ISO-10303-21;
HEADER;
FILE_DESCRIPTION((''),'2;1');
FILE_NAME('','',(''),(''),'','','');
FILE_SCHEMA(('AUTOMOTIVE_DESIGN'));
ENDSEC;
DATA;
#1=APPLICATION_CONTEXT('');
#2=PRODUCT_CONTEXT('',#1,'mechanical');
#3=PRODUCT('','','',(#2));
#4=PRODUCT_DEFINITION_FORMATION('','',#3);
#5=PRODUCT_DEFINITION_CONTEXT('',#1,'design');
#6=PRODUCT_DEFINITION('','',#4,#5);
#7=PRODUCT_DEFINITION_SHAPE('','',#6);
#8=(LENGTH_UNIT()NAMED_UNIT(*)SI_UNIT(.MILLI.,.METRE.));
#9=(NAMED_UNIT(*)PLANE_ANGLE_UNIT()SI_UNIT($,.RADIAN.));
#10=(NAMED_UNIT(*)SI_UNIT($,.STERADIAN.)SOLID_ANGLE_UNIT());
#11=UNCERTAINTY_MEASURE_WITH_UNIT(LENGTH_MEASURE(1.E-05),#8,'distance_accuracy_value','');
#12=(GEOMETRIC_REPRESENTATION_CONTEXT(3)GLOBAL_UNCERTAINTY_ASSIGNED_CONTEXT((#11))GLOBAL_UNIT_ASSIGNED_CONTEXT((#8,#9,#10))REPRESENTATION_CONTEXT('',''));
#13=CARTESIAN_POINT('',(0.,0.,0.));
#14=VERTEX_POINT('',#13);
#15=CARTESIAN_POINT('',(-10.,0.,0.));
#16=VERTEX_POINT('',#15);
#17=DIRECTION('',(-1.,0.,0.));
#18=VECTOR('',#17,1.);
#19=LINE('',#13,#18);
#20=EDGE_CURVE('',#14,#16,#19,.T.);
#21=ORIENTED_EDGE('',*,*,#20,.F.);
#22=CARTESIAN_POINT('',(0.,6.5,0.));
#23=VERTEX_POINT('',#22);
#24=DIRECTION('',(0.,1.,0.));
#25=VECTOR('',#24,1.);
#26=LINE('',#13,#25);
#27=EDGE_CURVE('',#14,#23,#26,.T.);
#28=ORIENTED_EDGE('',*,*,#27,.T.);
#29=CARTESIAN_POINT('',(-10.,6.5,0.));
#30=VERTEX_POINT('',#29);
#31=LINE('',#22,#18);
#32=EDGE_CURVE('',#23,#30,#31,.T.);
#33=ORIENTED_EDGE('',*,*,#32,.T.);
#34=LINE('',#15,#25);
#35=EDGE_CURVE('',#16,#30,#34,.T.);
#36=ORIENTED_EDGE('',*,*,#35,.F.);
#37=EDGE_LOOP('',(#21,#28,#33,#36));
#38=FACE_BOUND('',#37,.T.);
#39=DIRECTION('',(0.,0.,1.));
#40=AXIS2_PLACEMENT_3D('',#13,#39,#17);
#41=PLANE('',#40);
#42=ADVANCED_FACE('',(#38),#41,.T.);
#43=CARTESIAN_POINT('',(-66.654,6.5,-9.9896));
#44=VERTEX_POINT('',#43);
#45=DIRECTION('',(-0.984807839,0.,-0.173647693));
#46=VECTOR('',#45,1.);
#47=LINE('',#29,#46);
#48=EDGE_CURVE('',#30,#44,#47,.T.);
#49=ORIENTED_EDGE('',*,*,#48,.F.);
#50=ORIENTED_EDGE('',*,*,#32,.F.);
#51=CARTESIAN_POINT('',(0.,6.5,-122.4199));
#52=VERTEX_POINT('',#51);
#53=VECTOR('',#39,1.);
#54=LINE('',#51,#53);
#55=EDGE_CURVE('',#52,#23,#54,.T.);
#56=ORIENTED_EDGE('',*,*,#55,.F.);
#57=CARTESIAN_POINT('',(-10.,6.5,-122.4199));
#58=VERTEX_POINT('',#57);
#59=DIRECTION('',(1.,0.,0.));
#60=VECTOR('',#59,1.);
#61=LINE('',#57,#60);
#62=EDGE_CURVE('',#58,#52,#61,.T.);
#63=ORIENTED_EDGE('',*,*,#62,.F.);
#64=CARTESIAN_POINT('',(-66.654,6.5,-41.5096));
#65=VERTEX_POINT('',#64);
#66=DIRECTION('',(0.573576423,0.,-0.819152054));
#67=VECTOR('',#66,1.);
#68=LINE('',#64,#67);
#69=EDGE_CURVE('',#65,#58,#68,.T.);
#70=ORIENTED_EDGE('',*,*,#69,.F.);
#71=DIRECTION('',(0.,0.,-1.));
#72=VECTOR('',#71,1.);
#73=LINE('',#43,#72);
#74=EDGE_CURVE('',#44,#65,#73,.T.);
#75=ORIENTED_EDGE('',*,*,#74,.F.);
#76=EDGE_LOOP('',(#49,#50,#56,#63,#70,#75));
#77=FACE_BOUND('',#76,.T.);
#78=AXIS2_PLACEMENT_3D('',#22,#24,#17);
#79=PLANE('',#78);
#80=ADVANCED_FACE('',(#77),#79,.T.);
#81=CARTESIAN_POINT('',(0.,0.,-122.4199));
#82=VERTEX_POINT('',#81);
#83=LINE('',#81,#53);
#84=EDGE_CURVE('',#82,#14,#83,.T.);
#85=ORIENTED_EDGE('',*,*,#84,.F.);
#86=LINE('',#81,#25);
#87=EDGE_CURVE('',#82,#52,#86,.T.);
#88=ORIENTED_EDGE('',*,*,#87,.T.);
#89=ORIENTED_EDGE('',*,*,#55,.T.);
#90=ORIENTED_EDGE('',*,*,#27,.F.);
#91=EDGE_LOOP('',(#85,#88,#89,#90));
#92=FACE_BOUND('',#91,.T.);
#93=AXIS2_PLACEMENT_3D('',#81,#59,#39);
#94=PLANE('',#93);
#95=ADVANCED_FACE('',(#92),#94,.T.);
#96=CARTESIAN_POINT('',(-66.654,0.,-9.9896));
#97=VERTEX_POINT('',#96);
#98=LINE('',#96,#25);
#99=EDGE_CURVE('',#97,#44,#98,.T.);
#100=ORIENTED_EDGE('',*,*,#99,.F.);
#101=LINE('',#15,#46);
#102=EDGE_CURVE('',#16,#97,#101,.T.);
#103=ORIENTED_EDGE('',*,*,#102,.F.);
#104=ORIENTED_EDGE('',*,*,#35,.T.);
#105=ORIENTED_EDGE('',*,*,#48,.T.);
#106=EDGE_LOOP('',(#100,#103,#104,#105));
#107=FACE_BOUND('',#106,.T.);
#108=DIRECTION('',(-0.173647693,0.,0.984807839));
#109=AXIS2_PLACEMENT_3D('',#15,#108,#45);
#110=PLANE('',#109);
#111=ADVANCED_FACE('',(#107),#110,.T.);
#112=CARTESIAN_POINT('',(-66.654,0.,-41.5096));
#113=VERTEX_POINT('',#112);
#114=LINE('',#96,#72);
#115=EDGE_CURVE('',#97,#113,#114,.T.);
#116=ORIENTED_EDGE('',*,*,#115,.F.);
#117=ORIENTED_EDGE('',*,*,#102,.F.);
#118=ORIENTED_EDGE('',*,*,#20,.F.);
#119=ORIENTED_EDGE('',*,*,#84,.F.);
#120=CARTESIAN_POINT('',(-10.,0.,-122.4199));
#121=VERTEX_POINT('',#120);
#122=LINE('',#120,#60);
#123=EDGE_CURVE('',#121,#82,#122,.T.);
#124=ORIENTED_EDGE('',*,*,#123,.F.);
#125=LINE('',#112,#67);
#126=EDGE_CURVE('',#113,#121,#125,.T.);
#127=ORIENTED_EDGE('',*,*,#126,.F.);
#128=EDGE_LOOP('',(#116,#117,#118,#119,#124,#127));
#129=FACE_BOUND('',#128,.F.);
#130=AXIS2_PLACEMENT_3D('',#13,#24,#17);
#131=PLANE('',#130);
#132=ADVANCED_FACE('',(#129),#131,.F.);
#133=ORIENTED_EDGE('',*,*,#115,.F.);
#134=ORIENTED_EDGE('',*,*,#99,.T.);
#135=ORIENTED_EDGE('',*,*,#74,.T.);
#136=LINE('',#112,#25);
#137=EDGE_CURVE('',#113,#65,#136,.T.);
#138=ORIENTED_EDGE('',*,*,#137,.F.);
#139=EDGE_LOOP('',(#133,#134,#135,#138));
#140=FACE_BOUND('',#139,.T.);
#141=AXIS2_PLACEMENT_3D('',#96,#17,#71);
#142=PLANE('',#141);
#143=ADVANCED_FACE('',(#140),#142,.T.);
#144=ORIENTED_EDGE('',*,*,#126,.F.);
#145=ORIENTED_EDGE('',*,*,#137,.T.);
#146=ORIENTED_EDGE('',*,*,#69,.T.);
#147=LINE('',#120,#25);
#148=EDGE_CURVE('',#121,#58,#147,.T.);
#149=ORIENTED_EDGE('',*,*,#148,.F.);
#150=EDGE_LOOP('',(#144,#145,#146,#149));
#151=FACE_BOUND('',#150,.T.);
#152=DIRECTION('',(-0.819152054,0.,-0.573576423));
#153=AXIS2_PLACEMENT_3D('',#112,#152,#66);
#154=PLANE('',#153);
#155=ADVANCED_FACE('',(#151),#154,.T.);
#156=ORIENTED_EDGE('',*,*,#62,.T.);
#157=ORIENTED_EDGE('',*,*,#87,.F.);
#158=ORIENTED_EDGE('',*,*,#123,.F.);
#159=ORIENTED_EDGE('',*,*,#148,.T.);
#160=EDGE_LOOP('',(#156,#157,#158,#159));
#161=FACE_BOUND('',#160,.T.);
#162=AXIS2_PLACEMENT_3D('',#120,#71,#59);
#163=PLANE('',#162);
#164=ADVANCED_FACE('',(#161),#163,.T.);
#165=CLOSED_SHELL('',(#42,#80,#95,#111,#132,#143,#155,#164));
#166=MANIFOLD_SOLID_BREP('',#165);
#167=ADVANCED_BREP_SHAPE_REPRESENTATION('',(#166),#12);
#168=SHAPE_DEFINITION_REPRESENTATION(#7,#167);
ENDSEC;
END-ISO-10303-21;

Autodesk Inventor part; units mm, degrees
ref_plane "YZ Plane" through (0, 0, 0) normal (1, 0, 0) x (0, 1, 0)
ref_plane "XZ Plane" through (0, 0, 0) normal (0, 1, 0) x (-1, 0, 0)
ref_plane "XY Plane" through (0, 0, 0) normal (0, 0, 1) x (1, 0, 0)
sketch "Sketch1" plane through (0, 0, 0) normal (0, 1, 0) x (-1, 0, 0)
  line L0 (0, 0) -> (10, 0)
  line L1 (10, 0) -> (66.654, -9.9896)
  line L2 (66.654, -9.9896) -> (66.654, -41.5096)
  line L3 (66.654, -41.5096) -> (10, -122.4199)
  line L4 (10, -122.4199) -> (0, -122.4199)
  line L5 (0, -122.4199) -> (0, 0)
  dimension "d0" = 31.52
  dimension "d1" = 145
  dimension "d2" = 100
  dimension "d3" = 10
  dimension "d4" = 10
  dimension "d5" = 66.654
extrude "Extrusion1" add sketch "Sketch1" along normal blind 6.5
equation "\"d4\" = d3"
properties part number "front_panel_brace_middle"
